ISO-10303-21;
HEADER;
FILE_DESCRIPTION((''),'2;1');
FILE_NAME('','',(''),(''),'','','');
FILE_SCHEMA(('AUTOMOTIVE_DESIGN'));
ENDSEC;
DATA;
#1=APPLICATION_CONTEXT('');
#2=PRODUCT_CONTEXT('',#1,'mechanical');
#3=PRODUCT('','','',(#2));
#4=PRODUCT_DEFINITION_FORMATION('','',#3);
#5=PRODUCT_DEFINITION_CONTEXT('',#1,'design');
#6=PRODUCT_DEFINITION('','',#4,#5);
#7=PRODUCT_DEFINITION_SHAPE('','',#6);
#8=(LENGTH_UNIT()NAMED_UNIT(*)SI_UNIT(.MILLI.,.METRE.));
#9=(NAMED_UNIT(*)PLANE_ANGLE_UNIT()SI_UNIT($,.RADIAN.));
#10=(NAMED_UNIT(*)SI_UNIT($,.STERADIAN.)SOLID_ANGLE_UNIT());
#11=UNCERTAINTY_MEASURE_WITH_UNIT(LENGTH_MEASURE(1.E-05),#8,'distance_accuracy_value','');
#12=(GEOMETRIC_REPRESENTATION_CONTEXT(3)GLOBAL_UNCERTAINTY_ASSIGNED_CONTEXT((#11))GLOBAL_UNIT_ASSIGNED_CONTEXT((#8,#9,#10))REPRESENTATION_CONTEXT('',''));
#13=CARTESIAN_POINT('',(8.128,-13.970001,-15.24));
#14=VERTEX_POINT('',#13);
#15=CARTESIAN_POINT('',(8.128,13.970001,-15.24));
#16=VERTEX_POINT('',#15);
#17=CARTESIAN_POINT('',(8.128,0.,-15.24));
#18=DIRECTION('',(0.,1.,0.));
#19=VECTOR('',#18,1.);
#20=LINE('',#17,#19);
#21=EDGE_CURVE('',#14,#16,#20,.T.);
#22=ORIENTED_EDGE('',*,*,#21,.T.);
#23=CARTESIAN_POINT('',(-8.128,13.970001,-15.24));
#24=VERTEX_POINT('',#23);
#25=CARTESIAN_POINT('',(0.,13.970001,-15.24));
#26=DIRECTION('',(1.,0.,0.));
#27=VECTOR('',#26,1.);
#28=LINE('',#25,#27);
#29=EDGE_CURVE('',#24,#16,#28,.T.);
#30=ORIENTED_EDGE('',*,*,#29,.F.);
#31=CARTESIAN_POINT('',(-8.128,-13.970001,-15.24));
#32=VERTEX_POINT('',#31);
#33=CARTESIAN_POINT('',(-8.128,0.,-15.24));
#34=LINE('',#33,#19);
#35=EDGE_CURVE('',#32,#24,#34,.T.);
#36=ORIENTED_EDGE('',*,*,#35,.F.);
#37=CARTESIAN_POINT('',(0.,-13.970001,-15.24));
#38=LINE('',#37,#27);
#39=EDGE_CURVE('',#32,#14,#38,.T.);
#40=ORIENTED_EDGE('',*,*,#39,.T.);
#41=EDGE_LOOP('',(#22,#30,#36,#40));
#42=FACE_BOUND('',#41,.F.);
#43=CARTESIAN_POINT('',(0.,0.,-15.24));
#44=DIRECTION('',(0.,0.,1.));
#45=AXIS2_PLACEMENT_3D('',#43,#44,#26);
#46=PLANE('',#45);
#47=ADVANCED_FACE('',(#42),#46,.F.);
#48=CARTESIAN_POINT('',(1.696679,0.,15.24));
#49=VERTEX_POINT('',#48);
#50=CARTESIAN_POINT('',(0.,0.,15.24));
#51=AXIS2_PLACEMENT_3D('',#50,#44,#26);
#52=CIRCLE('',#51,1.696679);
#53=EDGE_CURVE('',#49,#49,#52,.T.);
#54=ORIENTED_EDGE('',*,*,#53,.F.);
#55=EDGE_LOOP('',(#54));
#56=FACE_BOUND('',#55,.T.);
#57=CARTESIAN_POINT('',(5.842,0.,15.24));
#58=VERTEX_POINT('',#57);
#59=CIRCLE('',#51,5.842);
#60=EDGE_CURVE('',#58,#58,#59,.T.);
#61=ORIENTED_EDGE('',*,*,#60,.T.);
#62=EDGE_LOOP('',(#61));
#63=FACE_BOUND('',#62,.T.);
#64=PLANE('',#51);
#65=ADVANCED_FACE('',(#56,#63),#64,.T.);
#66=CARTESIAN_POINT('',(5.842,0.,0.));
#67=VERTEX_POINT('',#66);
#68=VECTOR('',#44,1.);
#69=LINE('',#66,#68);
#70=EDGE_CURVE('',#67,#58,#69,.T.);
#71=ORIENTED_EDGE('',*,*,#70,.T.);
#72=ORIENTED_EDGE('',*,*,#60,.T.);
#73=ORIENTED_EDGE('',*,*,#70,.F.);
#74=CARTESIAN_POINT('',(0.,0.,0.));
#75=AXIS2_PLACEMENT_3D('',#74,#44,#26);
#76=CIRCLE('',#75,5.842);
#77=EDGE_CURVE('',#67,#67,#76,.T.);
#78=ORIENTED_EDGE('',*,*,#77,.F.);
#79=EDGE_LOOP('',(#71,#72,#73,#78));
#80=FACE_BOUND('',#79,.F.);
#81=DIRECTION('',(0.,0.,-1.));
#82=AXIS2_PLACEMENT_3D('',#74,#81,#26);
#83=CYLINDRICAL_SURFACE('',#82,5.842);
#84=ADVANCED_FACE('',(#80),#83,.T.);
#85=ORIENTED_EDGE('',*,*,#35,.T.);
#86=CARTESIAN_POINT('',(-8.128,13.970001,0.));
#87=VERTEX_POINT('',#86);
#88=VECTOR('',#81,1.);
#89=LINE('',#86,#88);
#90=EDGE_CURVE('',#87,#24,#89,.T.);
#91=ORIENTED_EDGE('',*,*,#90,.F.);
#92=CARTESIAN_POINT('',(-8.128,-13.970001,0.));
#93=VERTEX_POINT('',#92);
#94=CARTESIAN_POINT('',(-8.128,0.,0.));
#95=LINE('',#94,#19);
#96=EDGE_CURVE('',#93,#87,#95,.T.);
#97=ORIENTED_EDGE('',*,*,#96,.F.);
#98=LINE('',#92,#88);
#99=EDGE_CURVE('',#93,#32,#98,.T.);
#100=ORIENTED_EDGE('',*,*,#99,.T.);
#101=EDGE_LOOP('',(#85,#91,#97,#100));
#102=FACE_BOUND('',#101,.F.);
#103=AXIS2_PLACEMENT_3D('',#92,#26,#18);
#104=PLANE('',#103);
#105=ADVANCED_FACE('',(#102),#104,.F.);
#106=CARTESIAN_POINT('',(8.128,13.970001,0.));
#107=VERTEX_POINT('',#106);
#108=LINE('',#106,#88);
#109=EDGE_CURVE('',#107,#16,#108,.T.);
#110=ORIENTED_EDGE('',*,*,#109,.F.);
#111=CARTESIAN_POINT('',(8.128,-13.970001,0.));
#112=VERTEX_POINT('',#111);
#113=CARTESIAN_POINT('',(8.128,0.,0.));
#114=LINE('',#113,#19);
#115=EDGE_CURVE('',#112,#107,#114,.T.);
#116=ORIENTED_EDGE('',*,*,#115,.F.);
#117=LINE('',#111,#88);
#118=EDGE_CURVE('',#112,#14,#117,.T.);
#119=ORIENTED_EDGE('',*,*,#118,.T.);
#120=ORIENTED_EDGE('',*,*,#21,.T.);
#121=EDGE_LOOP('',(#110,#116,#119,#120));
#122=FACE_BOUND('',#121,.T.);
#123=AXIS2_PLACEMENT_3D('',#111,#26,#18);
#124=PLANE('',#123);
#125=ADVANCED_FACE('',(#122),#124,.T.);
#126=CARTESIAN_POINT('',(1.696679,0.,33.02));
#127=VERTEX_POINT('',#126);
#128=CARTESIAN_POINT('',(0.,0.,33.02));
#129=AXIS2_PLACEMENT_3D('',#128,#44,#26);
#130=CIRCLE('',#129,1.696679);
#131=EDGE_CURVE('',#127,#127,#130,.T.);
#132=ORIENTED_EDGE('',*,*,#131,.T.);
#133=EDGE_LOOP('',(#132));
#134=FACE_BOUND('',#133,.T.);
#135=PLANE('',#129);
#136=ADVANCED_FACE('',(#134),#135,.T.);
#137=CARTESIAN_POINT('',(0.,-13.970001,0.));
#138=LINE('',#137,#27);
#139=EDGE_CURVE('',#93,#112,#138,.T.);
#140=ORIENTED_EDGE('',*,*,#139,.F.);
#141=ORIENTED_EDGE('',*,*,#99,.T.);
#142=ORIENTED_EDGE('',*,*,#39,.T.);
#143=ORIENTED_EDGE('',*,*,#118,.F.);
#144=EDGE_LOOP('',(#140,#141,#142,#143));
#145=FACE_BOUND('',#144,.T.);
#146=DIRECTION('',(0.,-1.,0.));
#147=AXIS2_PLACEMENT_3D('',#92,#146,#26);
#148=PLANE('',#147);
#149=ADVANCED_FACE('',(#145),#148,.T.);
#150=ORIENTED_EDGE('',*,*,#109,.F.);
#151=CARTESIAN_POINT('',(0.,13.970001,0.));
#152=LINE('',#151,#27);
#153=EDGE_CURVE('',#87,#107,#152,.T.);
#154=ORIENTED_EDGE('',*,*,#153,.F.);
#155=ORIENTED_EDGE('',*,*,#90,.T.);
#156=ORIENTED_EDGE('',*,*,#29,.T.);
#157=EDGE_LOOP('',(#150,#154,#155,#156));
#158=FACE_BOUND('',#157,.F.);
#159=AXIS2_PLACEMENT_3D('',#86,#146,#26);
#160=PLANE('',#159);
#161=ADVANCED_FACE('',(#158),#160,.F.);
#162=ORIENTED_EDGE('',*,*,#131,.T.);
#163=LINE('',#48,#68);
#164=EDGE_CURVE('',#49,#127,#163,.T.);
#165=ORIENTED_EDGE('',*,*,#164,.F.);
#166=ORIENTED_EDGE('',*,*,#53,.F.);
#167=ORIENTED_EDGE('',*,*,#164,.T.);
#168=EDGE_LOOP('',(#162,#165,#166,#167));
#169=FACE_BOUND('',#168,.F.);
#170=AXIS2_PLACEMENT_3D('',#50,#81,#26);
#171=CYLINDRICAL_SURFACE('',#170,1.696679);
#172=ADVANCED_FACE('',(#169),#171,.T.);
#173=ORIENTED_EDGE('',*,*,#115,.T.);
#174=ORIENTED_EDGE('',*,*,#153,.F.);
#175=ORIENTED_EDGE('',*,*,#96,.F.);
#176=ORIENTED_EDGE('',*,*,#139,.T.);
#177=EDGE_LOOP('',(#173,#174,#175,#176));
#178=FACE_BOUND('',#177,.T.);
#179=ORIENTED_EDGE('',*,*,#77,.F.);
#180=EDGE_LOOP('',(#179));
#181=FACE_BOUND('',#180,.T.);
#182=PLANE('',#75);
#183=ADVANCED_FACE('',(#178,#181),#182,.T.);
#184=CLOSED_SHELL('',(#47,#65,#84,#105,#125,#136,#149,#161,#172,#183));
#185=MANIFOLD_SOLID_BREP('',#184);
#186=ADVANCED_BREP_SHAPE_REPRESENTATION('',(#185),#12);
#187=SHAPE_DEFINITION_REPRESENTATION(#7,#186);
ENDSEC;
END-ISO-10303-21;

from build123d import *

# Parameters (mm, degrees)
F0_R     = 5.842
F1_DEPTH = 15.24
F2_R     = 1.696679
F3_DEPTH = 17.78
F4_W     = 16.256
F4_H     = 27.940002
F5_DEPTH = 15.24


with BuildPart() as f1:
    # F0 (on Top) → F1 (new body)
    with BuildSketch(Plane.XY):
        Circle(F0_R)
    extrude(amount=F1_DEPTH)

    # F2 (on face) → F3 (join)
    with BuildSketch(Plane.XY.offset(15.24)):
        Circle(F2_R)
    extrude(amount=F3_DEPTH)

    # F4 (on Top) → F5 (join)
    with BuildSketch(Plane.XY):
        Rectangle(F4_W, F4_H)
    extrude(amount=-F5_DEPTH)


solid = f1.part
